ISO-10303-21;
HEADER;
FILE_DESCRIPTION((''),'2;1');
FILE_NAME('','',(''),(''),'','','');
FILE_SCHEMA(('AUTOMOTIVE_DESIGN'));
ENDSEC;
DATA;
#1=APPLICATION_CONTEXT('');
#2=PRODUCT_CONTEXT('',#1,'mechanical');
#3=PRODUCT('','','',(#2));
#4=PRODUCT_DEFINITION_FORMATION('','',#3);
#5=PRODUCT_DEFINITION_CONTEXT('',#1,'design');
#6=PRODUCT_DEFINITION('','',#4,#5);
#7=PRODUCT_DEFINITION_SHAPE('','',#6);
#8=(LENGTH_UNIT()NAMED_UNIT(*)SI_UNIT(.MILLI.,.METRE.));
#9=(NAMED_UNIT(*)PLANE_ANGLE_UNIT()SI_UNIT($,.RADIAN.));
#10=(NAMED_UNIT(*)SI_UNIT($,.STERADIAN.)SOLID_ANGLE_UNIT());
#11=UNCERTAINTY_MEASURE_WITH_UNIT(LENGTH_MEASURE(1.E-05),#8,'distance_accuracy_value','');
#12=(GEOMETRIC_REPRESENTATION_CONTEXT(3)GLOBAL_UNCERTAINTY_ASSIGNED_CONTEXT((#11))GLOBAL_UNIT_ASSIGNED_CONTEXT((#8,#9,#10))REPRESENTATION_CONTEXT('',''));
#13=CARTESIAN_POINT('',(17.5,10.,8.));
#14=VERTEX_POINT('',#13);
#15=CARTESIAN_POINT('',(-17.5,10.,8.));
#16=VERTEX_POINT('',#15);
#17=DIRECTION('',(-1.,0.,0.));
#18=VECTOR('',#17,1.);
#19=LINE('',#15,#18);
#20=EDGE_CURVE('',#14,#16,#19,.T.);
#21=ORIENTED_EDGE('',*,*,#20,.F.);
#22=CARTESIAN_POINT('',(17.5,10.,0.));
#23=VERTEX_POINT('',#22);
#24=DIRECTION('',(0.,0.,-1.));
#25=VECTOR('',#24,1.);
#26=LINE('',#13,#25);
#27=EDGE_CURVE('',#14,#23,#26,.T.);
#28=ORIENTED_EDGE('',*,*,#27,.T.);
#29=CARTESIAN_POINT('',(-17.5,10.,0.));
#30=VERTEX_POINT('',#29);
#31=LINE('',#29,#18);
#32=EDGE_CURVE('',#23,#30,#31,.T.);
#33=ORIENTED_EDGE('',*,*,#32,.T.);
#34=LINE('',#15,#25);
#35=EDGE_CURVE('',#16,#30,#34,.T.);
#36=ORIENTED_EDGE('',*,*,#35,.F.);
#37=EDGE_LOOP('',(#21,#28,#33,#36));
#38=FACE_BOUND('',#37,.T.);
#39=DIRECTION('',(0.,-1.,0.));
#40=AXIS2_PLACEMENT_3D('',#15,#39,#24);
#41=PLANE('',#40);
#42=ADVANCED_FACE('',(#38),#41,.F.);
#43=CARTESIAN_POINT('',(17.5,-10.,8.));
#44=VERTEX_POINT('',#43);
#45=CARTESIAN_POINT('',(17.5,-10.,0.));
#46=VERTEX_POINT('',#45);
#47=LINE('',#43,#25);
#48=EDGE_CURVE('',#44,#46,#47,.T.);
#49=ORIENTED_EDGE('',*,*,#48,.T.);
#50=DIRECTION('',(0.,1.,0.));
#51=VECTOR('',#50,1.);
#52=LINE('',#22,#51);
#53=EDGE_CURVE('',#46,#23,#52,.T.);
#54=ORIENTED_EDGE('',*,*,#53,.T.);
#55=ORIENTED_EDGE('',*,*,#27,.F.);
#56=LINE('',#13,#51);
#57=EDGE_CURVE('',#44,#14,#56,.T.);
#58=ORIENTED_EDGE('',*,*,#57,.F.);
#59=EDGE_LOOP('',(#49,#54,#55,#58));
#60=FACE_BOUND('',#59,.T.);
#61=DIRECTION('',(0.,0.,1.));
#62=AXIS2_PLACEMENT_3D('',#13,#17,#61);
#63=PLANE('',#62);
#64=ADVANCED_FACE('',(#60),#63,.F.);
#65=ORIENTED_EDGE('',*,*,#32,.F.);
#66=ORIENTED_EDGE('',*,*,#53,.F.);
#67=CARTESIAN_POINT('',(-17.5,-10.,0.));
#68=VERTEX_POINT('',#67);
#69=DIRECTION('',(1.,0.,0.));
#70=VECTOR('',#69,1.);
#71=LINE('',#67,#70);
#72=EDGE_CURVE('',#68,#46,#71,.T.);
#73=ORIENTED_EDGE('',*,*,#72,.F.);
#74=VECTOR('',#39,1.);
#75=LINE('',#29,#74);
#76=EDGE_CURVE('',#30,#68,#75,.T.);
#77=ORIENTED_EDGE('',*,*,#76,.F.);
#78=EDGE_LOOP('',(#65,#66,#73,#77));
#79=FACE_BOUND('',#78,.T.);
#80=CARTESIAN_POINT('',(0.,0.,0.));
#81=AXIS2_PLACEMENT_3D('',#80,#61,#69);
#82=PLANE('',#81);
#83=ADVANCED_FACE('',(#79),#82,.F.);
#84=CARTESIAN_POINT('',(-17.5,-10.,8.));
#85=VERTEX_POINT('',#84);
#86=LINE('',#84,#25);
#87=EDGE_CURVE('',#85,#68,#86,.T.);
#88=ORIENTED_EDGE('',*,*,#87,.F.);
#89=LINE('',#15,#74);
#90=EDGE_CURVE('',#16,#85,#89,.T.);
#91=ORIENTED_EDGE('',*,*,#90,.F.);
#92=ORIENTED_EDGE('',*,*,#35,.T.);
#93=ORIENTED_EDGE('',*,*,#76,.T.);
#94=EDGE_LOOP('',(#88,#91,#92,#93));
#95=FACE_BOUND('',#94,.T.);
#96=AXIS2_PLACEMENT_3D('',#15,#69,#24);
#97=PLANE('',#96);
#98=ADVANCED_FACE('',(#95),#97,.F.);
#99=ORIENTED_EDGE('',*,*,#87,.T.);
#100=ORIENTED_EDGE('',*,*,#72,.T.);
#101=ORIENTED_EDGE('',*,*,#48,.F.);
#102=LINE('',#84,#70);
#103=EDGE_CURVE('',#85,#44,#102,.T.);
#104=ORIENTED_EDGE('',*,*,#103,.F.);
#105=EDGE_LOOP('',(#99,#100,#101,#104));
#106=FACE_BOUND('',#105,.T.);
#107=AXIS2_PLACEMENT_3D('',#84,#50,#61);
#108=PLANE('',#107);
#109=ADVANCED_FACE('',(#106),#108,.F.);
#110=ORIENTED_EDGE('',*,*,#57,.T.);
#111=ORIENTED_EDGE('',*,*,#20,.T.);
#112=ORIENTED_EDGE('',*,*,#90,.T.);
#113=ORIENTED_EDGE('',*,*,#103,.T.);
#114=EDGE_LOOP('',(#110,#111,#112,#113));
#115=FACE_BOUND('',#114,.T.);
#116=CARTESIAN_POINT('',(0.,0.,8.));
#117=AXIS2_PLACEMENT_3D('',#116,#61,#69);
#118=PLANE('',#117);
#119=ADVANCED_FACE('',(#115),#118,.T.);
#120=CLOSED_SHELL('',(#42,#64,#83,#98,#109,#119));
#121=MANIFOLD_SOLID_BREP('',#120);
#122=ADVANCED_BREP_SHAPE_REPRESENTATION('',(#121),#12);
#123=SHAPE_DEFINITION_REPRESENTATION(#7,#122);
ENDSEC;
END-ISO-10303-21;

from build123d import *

# Parameters (mm, degrees)
ESBO_O1_W                = 35
ESBO_O1_H                = 20
RESSALTO_EXTRUS_O1_DEPTH = 8


with BuildPart() as part:
    # Esboço1 → Ressalto-extrusão1 (new body)
    with BuildSketch(Plane.XY):
        Rectangle(ESBO_O1_W, ESBO_O1_H)
    extrude(amount=RESSALTO_EXTRUS_O1_DEPTH)


solid = part.part
